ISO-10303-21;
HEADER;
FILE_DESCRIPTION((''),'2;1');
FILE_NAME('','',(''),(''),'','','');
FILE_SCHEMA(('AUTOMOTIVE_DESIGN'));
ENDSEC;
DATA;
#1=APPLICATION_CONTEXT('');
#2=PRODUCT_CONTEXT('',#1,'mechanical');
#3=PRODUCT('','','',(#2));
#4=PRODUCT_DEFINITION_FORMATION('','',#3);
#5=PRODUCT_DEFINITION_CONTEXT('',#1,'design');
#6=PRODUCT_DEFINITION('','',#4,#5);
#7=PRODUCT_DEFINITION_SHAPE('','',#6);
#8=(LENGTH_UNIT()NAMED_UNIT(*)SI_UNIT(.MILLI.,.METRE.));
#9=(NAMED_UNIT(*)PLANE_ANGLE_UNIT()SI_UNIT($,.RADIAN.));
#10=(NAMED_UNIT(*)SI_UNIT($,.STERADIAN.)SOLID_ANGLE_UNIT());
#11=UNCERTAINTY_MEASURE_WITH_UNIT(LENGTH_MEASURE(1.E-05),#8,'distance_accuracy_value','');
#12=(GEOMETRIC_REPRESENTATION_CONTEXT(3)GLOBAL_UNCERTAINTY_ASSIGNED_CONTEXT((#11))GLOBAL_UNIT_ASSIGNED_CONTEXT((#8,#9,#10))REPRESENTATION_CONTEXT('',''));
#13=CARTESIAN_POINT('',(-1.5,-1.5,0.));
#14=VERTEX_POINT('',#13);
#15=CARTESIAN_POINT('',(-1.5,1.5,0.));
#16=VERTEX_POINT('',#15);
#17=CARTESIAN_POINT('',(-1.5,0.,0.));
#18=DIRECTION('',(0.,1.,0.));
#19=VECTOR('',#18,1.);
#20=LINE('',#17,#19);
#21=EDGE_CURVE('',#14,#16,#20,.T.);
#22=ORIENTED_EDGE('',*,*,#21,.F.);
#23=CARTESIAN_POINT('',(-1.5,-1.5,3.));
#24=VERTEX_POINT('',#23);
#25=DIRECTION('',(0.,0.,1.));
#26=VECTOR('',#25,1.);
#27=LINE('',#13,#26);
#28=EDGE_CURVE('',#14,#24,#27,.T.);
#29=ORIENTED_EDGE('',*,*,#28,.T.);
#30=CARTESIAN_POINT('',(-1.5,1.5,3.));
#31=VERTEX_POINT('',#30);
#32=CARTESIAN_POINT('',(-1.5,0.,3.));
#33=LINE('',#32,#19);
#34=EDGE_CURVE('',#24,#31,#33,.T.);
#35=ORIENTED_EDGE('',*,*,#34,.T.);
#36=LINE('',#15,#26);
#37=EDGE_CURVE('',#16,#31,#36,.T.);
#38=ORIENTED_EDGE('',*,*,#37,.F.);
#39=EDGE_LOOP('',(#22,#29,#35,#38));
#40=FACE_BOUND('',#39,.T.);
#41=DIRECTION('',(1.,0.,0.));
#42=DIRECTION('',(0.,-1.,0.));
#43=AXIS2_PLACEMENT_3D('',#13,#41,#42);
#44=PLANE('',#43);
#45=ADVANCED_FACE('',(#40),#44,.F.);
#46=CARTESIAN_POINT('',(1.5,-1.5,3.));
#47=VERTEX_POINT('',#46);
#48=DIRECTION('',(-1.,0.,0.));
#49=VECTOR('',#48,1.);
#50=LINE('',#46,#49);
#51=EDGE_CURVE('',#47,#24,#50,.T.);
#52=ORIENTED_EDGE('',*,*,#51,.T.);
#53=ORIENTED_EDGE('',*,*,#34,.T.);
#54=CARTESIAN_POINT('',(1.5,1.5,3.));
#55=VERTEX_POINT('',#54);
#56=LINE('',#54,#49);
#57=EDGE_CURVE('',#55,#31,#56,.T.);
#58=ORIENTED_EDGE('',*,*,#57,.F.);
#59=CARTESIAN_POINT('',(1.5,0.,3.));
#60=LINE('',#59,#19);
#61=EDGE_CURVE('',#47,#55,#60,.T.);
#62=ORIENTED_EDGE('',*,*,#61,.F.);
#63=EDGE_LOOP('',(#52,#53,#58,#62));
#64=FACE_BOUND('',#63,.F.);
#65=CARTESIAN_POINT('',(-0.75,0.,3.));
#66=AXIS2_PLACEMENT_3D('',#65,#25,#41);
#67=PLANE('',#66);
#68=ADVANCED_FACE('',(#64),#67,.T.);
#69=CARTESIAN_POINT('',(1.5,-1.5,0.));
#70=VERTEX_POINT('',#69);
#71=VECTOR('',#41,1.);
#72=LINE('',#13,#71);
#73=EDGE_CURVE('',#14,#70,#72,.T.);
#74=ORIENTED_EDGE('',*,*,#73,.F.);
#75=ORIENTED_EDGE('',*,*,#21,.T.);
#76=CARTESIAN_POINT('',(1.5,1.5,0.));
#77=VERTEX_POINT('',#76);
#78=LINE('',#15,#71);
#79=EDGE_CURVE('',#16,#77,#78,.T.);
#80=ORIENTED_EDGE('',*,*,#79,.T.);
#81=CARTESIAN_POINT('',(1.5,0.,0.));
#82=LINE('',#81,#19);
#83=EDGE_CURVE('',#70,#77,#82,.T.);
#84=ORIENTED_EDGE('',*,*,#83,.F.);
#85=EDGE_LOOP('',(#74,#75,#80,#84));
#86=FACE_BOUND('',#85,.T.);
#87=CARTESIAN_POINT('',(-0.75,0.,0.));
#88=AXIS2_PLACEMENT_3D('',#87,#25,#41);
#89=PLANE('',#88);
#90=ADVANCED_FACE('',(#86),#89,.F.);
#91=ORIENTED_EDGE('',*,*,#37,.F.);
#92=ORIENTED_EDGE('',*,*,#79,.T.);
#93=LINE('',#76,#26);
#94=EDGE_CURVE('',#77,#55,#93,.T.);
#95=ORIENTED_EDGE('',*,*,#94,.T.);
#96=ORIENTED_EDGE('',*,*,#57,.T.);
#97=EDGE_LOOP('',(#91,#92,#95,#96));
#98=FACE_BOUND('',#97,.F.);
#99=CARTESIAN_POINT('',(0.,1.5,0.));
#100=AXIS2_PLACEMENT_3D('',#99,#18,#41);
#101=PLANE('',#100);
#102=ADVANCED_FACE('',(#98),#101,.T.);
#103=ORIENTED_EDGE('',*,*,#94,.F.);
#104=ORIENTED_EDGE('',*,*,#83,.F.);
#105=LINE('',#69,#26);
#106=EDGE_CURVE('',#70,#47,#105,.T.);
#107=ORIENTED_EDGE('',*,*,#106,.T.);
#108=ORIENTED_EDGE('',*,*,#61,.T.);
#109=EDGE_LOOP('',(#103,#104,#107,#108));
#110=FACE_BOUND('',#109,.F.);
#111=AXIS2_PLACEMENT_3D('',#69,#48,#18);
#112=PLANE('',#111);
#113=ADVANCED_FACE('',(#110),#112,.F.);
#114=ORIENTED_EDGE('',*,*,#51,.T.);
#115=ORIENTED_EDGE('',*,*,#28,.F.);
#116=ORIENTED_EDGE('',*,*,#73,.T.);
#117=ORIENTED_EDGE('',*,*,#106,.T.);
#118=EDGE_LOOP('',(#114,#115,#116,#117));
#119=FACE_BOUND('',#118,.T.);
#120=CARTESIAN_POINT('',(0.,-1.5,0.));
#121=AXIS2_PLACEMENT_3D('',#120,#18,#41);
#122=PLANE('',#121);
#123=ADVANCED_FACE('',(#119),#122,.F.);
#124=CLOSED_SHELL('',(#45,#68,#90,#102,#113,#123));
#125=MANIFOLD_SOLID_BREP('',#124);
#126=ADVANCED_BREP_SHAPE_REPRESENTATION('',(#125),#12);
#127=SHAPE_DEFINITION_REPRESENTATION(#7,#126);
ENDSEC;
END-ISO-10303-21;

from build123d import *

# Parameters (mm, degrees)
SKETCH002_W  = 1.5
SKETCH002_H  = 3
PAD002_DEPTH = 3


with BuildPart() as part:
    # Sketch002 → Pad002 (new body)
    with BuildSketch(Plane.XY):
        with Locations((0.75, 0)):
            Rectangle(SKETCH002_W, SKETCH002_H)
    pad002 = extrude(amount=PAD002_DEPTH)

    # Mirrored001: Pad002 across Sketch002 V_Axis
    add(pad002.mirror(Plane(origin=(0, 0, 0), x_dir=(0, 0, 1), z_dir=(1, 0, 0))))


solid = part.part
